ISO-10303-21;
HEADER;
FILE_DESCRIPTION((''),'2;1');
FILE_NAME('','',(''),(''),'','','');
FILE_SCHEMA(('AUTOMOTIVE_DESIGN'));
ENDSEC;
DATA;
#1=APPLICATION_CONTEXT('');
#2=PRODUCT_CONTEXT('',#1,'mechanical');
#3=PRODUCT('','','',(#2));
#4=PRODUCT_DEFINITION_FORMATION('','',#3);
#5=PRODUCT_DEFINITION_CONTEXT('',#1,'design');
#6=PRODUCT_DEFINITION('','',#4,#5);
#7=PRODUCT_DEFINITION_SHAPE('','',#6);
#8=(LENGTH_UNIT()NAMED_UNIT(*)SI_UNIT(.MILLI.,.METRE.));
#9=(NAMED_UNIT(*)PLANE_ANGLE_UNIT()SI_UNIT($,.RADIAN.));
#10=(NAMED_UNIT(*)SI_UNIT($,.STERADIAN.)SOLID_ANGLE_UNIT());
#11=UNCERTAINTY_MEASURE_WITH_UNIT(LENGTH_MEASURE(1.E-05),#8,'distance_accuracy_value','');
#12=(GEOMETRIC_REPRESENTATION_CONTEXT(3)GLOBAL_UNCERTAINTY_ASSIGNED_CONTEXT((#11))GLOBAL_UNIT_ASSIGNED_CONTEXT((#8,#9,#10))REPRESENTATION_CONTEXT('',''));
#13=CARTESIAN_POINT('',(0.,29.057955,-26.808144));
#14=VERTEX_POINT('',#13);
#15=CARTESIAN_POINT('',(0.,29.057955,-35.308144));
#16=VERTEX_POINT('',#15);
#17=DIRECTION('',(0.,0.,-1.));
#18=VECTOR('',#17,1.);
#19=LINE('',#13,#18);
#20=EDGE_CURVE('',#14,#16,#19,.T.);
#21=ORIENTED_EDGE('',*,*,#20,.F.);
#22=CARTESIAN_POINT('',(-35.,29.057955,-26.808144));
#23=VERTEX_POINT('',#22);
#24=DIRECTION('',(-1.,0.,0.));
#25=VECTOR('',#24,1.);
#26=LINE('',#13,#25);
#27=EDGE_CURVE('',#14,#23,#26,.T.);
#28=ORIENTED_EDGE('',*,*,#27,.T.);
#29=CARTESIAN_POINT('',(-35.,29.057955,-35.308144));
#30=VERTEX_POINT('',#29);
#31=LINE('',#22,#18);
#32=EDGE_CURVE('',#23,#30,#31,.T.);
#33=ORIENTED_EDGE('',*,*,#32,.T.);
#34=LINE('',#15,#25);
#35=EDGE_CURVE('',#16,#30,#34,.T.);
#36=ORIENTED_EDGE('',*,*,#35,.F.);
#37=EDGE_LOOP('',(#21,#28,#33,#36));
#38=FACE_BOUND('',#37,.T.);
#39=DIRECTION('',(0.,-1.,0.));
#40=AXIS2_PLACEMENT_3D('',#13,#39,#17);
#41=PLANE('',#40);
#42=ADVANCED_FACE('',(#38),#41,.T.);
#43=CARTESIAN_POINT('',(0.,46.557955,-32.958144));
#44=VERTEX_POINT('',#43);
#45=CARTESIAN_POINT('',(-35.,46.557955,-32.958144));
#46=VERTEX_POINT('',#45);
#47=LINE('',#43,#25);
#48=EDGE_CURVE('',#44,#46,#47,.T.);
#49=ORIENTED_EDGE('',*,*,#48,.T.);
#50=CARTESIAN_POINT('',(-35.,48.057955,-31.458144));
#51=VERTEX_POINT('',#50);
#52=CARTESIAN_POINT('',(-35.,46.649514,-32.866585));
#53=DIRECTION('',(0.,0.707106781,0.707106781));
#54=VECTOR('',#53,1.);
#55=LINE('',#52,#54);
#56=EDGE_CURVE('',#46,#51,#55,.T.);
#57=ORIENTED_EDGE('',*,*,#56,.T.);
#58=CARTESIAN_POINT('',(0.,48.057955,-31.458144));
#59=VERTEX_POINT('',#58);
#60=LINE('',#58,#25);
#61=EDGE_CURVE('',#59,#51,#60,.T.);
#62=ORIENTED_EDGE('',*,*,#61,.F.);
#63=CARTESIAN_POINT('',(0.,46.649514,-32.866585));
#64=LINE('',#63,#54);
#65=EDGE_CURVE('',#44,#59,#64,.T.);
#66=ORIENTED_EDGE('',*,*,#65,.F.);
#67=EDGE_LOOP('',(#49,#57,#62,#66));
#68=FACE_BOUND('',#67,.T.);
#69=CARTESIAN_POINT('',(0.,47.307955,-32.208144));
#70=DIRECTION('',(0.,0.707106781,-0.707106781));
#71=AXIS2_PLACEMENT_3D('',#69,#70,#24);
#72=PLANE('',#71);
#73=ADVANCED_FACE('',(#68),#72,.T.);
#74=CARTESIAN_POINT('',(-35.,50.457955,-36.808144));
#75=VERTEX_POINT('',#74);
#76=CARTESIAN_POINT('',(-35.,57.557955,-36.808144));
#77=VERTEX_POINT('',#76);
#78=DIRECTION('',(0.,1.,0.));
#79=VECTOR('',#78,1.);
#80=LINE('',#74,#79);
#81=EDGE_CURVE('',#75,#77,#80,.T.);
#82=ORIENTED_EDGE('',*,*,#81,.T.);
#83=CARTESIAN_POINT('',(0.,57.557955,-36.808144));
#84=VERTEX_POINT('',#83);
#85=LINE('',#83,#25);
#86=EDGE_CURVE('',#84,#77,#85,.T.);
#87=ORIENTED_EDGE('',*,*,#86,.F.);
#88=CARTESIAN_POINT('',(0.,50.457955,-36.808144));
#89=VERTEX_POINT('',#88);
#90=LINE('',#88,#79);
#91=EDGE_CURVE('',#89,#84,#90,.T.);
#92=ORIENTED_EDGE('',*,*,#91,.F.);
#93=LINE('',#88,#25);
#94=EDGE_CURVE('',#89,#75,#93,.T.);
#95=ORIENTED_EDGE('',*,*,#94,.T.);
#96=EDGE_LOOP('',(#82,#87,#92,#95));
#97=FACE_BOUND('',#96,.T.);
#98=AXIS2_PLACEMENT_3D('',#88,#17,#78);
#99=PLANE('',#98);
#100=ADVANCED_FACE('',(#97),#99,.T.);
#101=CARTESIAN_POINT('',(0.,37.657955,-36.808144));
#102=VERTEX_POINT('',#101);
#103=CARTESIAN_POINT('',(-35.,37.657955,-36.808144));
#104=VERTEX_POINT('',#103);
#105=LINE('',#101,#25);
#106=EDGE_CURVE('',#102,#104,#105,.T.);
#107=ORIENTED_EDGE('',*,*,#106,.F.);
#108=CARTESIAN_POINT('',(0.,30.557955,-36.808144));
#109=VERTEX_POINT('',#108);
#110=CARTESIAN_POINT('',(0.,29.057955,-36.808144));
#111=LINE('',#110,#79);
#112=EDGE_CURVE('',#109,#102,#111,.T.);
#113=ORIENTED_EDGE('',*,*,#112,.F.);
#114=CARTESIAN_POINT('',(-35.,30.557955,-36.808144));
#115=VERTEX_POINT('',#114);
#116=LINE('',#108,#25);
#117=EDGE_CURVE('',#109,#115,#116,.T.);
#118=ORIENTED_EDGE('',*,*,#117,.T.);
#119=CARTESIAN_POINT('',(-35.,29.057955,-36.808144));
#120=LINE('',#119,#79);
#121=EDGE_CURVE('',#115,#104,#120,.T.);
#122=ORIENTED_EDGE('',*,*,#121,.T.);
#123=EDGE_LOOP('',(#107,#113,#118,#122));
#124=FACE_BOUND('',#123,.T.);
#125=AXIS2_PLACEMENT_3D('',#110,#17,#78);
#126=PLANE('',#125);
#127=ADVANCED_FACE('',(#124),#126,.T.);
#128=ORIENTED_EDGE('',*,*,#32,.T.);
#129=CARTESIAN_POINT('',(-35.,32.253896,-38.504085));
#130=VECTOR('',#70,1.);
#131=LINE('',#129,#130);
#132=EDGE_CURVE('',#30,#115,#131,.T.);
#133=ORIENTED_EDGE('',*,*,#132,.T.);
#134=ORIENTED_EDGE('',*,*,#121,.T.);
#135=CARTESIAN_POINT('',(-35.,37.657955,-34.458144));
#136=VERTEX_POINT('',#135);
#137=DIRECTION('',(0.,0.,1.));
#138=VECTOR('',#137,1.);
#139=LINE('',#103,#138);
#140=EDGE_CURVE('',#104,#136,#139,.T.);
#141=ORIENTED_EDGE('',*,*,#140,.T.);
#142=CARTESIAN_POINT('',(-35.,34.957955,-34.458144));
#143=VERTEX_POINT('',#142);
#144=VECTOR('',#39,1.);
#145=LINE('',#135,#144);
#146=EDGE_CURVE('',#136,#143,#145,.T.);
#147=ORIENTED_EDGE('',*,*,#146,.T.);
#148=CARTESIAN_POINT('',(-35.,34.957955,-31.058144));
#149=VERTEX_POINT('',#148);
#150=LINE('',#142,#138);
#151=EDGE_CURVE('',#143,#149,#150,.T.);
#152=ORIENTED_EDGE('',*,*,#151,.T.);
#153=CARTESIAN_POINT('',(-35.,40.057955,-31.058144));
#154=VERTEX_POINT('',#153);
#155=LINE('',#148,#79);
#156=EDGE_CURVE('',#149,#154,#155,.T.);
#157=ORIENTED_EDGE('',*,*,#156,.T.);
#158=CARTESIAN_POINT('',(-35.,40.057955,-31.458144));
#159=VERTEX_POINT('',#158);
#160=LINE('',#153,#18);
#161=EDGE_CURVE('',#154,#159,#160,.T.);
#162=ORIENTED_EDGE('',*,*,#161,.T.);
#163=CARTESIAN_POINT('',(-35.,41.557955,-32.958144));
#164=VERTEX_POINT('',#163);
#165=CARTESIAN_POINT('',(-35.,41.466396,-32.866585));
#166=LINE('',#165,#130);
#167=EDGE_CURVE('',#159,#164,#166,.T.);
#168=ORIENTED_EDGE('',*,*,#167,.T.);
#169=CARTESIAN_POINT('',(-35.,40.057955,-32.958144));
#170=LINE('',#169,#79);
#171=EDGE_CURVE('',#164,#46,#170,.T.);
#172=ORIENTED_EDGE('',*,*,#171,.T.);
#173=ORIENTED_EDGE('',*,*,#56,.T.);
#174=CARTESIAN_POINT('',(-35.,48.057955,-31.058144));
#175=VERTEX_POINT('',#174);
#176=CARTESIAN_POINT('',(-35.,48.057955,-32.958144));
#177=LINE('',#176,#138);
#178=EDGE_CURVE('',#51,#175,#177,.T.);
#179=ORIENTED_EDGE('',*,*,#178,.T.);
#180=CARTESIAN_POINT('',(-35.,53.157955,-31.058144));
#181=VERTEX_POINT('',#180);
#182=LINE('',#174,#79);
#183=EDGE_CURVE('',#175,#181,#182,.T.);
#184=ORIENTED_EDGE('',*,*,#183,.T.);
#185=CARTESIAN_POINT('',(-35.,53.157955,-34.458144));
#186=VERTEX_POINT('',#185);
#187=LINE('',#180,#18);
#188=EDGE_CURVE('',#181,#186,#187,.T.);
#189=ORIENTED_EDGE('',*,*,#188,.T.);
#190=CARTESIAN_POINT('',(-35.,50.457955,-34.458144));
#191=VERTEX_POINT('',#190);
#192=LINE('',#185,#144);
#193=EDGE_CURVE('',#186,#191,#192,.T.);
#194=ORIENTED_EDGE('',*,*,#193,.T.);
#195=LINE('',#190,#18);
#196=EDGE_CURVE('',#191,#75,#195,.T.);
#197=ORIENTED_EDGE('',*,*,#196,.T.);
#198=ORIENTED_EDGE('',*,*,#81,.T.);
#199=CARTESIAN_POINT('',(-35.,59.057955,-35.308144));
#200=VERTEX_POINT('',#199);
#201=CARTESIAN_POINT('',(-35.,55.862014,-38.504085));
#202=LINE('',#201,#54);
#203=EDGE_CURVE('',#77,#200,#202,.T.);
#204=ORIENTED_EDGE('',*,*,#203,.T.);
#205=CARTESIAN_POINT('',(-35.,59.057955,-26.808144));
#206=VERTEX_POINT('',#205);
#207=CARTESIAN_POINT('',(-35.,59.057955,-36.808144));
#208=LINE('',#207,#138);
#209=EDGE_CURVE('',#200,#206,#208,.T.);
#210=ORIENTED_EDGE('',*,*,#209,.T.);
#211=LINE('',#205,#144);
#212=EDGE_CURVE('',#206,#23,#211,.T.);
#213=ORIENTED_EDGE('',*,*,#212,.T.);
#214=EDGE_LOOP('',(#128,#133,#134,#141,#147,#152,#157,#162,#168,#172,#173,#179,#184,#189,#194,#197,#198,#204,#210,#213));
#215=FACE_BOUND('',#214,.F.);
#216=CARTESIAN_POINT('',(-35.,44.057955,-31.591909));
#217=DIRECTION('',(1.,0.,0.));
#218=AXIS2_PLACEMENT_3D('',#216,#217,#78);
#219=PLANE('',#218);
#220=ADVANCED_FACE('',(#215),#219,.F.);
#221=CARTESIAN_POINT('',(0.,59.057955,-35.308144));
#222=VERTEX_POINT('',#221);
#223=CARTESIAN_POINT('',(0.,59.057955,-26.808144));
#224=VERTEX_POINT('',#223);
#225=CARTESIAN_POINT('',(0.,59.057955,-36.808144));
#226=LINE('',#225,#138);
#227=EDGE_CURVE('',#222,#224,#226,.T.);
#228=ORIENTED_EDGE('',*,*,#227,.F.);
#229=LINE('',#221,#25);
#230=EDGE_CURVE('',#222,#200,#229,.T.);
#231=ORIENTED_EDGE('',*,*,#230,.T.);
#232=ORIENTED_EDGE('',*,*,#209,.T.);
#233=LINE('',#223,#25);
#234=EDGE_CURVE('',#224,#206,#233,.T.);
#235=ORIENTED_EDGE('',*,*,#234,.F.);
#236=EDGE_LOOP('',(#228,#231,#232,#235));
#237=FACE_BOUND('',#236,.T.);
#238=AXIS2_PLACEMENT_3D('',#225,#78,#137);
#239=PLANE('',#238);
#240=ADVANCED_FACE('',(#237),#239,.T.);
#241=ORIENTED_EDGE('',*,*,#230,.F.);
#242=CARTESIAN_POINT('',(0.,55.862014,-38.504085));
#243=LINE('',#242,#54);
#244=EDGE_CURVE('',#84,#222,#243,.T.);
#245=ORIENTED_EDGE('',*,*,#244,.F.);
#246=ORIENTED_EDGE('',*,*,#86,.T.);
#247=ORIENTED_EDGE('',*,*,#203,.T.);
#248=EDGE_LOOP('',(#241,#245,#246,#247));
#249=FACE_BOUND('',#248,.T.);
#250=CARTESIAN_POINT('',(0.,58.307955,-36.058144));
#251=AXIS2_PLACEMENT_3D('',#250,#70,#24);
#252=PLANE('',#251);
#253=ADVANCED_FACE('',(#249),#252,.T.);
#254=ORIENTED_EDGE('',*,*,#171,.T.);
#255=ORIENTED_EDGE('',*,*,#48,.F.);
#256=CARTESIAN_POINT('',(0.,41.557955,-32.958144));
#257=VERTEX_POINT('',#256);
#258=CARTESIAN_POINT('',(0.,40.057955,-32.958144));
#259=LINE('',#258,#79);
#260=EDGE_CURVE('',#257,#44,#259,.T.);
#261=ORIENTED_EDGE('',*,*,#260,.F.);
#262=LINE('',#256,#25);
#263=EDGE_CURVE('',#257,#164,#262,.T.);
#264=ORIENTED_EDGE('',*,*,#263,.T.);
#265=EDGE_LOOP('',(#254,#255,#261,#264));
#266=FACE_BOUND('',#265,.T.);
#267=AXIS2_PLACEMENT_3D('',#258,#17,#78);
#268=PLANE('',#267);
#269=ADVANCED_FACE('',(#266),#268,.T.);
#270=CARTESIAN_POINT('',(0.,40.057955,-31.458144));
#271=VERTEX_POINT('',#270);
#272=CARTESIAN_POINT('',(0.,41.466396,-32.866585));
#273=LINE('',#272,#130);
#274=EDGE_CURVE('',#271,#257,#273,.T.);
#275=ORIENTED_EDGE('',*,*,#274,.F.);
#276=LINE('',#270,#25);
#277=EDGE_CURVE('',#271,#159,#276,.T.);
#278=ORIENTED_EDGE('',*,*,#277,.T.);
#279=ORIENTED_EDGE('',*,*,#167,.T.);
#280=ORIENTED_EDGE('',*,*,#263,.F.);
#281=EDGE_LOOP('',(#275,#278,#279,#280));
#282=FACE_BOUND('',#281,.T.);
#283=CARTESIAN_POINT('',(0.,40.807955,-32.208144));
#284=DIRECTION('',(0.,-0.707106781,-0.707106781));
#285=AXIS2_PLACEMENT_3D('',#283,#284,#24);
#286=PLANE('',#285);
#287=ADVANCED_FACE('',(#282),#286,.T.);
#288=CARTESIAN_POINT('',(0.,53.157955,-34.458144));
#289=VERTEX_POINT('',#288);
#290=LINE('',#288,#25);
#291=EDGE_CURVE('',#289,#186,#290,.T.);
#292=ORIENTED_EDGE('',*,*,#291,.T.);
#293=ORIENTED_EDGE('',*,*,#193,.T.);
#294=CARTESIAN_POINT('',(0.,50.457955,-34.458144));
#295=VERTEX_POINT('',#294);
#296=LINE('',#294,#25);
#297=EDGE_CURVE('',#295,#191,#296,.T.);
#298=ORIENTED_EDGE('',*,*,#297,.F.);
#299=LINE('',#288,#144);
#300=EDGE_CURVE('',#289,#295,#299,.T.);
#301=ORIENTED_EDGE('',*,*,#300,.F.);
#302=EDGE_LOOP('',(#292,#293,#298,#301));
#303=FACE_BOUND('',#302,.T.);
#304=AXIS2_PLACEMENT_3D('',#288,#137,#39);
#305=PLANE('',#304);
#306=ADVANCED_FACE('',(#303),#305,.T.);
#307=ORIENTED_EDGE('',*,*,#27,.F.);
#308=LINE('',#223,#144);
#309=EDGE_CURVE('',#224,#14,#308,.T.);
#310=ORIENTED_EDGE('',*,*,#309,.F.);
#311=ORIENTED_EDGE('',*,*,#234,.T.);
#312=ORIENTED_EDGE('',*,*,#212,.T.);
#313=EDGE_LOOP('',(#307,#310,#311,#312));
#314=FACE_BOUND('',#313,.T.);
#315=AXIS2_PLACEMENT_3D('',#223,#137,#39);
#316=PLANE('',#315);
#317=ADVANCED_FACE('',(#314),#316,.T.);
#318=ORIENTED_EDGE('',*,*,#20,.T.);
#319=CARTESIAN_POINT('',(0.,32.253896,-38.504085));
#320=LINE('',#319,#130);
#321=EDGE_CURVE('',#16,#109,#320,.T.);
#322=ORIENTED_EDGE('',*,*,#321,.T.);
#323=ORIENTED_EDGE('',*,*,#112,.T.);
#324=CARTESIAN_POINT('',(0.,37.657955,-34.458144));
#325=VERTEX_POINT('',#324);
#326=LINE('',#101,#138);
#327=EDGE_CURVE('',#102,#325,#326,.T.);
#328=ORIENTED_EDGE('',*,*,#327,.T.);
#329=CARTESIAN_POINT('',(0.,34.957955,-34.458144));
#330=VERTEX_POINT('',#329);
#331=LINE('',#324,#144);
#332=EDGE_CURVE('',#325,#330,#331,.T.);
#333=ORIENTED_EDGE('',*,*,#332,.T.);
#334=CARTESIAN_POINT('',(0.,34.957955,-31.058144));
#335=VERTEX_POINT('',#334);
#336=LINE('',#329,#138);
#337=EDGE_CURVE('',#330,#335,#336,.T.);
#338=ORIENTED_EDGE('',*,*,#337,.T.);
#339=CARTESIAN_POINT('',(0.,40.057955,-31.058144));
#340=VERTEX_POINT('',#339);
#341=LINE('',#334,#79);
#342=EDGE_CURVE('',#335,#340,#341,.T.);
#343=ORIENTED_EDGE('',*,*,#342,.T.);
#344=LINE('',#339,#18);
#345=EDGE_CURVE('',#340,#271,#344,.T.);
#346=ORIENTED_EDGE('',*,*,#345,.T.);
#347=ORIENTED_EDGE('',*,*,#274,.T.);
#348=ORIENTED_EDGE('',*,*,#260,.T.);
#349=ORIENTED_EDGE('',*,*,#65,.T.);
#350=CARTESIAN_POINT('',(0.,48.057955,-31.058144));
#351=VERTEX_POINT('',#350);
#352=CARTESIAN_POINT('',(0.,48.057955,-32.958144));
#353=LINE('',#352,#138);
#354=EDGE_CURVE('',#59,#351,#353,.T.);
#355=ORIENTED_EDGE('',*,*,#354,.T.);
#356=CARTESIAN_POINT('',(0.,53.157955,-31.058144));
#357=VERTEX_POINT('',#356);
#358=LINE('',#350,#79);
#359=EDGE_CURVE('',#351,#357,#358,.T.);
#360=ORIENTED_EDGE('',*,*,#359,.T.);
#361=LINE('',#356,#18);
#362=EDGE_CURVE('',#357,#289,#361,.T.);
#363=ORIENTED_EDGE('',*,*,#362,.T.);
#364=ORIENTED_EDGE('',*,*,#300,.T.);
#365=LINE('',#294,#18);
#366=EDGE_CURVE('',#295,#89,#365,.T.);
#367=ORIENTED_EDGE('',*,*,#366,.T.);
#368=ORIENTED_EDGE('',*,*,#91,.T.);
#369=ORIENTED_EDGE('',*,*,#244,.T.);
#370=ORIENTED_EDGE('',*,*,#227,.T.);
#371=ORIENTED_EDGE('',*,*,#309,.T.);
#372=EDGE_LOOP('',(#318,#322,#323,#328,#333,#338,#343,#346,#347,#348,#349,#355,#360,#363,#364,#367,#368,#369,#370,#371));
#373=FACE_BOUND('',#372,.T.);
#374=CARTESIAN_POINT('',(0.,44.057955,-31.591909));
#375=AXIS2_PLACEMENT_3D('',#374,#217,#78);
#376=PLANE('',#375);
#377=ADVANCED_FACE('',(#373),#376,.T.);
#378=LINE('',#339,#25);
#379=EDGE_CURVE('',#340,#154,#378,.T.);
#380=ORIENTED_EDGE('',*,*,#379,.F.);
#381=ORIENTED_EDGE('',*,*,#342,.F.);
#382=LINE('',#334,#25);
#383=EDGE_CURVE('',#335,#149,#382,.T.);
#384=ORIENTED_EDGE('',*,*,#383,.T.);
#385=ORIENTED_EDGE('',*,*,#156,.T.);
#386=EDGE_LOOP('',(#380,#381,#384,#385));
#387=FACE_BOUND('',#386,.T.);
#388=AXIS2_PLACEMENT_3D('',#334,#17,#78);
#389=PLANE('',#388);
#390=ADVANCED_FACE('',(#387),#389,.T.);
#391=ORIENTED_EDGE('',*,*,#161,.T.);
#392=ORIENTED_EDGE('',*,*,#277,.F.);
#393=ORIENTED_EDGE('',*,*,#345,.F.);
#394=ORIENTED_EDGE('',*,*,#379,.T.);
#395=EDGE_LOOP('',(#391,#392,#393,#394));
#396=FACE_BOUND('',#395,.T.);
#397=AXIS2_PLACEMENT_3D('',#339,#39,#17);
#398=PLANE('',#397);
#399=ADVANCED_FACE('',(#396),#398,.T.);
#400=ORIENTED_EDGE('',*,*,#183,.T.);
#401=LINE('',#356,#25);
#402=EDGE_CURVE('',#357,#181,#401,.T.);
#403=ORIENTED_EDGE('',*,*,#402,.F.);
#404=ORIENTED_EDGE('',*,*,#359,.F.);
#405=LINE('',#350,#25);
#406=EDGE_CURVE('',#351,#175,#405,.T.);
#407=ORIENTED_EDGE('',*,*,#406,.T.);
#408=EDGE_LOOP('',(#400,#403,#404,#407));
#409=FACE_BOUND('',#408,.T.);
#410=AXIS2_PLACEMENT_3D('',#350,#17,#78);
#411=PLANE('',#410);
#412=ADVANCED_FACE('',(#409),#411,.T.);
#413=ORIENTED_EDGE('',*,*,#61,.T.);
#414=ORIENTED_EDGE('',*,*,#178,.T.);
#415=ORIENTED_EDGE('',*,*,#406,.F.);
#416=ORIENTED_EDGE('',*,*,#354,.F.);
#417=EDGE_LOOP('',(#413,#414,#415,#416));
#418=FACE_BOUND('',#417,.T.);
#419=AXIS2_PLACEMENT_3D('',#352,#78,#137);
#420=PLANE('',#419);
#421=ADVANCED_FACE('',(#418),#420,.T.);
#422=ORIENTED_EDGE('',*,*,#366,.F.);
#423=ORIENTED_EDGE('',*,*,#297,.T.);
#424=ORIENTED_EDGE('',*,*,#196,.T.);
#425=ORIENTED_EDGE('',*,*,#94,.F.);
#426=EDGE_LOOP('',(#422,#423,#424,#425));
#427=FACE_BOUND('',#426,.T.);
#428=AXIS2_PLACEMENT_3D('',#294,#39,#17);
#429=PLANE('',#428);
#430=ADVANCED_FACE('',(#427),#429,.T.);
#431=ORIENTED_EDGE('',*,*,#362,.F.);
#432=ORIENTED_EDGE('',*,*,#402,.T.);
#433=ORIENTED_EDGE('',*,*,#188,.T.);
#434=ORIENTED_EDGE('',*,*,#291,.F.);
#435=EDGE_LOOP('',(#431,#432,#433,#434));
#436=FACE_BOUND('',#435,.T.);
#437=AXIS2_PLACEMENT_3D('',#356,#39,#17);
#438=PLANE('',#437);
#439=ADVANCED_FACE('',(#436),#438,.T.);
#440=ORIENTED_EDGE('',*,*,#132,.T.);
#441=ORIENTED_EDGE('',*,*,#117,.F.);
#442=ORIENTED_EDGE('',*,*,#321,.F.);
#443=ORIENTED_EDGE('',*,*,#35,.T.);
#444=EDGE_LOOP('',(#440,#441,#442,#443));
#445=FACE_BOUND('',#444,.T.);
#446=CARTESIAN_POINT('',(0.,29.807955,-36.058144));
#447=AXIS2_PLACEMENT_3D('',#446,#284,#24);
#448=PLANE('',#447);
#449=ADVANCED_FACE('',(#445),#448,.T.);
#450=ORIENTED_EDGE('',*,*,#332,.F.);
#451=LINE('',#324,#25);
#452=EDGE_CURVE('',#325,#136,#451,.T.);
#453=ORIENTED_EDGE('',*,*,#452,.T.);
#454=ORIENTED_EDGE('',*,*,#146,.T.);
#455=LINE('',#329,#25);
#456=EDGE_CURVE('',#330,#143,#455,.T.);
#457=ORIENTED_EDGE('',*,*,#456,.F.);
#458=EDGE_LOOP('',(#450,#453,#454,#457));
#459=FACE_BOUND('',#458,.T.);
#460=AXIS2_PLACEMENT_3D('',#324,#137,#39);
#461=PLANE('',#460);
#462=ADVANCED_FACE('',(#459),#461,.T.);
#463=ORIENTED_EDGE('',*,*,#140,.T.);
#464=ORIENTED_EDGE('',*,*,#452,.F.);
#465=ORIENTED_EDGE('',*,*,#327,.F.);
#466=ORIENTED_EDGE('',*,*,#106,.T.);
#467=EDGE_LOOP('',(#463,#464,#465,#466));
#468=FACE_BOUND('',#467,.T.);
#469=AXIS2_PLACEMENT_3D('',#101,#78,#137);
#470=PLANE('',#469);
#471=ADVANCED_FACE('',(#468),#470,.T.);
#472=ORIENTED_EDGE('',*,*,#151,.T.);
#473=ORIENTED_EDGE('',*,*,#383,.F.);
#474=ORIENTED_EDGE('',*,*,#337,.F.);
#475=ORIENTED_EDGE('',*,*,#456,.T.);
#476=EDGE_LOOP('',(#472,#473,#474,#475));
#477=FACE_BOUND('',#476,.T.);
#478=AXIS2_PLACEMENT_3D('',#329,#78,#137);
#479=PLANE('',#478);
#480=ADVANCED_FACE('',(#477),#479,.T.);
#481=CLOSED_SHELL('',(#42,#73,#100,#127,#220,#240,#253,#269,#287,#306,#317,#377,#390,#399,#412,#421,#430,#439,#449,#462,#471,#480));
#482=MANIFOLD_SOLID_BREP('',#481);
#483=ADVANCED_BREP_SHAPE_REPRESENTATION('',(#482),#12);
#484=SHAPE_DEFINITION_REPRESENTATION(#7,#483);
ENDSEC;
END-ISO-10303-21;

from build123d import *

# Parameters (mm, degrees)
F1_DEPTH = 35
F2_SIZE  = 1.5


with BuildPart() as f1:
    # F0 (on Right) → F1 (new body)
    with BuildSketch(Plane.YZ):
        Polygon((43.557955, -26.808144), (29.057955, -26.808144), (29.057955, -36.808144), (37.657955, -36.808144), (37.657955, -34.458144), (34.957955, -34.458144), (34.957955, -31.058144), (40.057955, -31.058144), (40.057955, -32.958144), (48.057955, -32.958144), (48.057955, -31.058144), (53.157955, -31.058144), (53.157955, -34.458144), (50.457955, -34.458144), (50.457955, -36.808144), (59.057955, -36.808144), (59.057955, -26.808144), (44.557955, -26.808144), align=None)
    extrude(amount=-F1_DEPTH)

    # F2
    f2_edges = [f1.edges().sort_by_distance(p)[0] for p in [
        (-17.5, 59.057955, -36.808144),
        (-17.5, 48.057955, -32.958144),
        (-17.5, 40.057955, -32.958144),
        (-17.5, 29.057955, -36.808144),
    ]]
    chamfer(f2_edges, length=F2_SIZE)


solid = f1.part
